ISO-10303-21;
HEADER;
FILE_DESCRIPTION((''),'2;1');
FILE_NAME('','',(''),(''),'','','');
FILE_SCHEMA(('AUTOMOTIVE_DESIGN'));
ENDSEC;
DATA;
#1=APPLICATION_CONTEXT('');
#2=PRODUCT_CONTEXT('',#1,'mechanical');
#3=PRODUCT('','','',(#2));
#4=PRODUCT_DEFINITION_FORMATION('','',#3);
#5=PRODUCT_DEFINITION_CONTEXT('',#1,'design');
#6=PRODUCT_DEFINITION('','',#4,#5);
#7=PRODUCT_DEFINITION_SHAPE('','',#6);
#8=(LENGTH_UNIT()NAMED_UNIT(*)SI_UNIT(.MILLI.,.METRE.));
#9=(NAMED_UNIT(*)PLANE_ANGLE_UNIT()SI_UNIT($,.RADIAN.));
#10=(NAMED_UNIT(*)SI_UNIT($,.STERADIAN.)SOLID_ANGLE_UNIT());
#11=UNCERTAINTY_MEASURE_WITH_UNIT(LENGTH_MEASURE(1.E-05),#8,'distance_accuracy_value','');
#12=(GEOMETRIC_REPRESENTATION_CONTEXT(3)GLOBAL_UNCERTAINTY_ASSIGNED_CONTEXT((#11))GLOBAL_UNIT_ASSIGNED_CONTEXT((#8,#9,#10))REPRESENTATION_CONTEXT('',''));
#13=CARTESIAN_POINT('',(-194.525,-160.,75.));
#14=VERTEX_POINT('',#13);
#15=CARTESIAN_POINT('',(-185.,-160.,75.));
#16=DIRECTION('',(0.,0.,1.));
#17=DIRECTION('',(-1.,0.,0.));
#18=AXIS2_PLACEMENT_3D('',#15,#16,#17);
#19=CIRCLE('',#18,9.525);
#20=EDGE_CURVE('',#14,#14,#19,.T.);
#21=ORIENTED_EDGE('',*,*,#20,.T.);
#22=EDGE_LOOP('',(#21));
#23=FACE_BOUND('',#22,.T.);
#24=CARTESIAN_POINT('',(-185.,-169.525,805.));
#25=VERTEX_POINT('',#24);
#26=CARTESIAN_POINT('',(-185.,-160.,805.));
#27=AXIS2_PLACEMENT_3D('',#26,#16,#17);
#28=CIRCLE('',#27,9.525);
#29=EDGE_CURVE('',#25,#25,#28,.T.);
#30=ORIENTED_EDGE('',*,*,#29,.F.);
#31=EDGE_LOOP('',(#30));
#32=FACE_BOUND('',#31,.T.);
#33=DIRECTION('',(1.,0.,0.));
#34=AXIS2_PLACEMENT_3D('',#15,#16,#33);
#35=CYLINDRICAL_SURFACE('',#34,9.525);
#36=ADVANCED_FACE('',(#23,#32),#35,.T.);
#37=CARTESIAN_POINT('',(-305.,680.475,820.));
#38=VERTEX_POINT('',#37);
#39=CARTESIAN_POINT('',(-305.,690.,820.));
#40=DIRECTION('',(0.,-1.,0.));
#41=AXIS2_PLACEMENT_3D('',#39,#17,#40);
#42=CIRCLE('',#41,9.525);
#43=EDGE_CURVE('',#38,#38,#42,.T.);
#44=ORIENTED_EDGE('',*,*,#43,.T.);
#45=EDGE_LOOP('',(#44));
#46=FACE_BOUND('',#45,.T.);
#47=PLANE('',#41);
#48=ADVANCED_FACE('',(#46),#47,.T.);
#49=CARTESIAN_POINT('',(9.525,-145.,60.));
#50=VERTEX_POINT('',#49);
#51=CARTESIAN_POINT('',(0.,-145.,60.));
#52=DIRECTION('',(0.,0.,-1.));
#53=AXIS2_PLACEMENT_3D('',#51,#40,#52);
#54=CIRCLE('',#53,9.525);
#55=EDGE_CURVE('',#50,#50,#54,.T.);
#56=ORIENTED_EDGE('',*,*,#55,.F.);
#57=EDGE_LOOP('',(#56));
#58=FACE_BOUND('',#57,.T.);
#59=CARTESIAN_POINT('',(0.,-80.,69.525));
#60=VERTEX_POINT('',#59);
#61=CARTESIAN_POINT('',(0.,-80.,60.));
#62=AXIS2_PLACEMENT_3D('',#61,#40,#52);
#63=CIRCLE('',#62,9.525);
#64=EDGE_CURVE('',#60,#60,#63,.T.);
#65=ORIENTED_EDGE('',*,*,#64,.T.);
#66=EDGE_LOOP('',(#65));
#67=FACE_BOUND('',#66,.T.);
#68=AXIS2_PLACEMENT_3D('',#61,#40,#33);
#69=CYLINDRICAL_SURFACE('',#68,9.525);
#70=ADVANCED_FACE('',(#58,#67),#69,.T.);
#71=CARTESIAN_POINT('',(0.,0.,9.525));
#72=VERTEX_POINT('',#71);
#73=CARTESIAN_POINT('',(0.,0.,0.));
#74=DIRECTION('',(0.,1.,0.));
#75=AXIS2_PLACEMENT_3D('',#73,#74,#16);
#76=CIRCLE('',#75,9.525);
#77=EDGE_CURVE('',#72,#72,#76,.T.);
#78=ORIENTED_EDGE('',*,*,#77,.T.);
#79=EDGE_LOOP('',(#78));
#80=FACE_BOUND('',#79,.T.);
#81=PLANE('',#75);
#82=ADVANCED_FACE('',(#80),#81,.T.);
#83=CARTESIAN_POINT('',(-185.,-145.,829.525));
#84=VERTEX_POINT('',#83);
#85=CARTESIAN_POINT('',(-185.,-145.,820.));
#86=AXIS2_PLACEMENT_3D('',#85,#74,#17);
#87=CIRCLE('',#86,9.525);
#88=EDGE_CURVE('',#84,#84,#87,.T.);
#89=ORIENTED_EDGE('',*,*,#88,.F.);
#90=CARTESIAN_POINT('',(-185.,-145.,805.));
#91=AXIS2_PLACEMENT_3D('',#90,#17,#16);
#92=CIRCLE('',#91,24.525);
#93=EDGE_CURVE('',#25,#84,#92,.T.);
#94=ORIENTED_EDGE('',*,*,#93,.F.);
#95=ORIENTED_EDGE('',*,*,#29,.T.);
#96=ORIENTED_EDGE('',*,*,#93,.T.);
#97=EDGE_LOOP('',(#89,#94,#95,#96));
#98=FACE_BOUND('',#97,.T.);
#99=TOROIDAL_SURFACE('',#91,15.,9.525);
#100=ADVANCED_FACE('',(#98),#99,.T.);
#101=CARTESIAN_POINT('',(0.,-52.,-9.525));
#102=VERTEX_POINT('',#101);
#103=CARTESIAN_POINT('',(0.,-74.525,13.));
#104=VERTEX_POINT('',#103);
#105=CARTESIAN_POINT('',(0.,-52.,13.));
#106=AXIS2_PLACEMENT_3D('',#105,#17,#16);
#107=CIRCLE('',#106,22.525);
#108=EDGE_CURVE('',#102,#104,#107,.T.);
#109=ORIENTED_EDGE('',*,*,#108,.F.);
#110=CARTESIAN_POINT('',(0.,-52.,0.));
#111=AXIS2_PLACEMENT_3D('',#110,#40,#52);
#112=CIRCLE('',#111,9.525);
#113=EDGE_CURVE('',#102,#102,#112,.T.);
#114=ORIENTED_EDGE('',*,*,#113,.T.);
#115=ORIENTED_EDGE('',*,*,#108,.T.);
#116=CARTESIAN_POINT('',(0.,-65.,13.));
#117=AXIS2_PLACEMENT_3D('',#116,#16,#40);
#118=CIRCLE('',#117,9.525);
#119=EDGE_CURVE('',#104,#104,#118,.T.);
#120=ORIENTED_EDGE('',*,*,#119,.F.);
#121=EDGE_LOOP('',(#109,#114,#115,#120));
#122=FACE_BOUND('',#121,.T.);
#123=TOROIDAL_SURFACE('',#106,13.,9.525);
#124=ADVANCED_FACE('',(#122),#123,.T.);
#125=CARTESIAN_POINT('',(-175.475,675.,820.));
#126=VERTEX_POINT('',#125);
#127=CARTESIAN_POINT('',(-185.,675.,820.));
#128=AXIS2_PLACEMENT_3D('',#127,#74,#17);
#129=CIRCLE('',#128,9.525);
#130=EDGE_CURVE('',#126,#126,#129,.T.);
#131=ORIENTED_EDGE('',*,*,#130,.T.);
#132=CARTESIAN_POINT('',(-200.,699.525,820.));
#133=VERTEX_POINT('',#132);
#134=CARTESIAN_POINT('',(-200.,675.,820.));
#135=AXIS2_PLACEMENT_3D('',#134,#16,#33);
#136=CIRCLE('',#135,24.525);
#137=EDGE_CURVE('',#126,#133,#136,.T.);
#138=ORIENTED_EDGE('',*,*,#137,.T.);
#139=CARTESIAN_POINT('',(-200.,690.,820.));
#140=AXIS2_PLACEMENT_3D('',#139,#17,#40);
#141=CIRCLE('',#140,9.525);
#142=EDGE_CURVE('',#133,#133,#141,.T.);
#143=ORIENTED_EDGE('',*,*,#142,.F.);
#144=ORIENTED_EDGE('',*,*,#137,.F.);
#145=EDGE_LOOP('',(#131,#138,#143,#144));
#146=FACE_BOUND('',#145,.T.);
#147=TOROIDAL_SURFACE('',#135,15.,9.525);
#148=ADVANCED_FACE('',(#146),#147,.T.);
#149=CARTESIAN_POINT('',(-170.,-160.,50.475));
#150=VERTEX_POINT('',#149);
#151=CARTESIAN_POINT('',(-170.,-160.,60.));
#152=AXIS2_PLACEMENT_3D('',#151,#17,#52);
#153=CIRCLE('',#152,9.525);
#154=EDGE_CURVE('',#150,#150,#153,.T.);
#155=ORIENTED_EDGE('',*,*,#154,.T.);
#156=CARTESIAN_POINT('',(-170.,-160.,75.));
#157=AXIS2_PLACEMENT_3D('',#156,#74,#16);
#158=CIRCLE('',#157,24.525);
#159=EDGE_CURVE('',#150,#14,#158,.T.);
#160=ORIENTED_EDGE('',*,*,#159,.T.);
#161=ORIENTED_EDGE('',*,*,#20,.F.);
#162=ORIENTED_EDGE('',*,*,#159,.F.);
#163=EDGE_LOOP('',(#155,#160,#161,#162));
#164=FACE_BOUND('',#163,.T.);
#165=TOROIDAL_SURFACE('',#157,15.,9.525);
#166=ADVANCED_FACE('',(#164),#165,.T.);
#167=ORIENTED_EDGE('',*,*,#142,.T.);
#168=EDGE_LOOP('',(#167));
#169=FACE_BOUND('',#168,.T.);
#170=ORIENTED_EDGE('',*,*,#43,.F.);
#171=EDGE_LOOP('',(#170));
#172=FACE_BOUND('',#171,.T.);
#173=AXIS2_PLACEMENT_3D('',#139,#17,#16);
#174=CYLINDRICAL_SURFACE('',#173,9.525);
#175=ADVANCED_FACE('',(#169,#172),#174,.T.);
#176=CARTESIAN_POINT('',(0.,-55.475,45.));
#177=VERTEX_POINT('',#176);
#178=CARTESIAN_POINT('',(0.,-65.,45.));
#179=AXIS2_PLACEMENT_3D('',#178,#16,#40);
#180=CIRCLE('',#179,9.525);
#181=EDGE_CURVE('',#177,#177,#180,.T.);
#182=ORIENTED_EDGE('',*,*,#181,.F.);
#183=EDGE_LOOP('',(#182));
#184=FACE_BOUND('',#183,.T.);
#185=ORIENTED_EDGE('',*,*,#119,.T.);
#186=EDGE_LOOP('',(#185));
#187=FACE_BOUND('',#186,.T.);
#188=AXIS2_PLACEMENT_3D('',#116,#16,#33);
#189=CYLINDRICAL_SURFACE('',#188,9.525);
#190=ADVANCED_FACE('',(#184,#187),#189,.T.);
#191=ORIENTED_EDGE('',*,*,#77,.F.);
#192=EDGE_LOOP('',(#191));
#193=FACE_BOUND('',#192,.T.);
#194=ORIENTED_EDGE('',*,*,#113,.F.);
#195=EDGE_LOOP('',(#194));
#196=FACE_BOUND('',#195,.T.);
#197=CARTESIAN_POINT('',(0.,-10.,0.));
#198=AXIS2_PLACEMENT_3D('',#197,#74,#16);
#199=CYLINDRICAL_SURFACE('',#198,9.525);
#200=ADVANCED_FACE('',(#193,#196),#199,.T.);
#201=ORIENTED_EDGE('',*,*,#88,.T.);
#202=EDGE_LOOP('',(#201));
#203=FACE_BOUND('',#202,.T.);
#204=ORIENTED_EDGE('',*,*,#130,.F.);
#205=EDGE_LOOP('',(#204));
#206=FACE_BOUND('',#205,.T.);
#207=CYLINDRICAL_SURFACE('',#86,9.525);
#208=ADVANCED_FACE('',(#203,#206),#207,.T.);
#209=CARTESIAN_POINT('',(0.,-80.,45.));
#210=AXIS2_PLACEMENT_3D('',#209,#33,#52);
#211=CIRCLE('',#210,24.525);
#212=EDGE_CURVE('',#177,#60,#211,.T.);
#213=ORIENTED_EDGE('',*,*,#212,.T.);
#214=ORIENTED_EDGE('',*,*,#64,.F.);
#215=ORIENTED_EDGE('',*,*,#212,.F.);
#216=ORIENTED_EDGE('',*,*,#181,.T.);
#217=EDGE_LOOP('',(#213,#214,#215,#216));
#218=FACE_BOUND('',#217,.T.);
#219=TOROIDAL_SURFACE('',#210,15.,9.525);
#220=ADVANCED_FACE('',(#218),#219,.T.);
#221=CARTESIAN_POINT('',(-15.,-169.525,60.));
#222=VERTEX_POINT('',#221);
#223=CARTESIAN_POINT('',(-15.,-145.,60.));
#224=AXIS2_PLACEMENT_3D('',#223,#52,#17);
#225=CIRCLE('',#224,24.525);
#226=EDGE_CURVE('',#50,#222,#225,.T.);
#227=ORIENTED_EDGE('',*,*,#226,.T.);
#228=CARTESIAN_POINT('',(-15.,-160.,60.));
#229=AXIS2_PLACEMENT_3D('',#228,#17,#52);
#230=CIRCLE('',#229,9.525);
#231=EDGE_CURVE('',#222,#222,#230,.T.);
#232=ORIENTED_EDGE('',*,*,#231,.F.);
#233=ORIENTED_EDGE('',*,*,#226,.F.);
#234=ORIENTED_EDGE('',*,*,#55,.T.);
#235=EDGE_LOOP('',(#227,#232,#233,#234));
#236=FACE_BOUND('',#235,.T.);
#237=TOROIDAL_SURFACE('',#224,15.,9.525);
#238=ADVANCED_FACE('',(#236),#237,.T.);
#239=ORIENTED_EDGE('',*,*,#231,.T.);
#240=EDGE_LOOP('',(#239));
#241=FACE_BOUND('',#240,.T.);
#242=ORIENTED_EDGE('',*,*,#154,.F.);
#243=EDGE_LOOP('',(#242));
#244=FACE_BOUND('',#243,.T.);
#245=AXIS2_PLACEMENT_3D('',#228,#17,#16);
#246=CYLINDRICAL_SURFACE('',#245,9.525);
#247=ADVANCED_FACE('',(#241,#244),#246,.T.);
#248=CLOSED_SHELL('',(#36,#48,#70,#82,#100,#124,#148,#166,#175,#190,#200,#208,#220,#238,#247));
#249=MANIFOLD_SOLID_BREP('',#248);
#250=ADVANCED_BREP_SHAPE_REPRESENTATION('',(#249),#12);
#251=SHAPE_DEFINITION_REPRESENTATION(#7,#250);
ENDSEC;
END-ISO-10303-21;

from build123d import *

# Parameters (mm, degrees)
CROQUIS1_R              = 9.525
SALIENTE_EXTRUIR1_DEPTH = 10
CROQUIS2_R              = 9.525


with BuildPart() as part:
    # Croquis1 → Saliente-Extruir1 (new body)
    with BuildSketch(Plane(origin=(0, 0, 0), x_dir=(1, 0, 0), z_dir=(0, 1, 0))):
        with Locations(Location((0, 0, 0), (0, 0, 270))):
            Circle(CROQUIS1_R)
    extrude(amount=-SALIENTE_EXTRUIR1_DEPTH)

    # Barrer1: sweep along a curve in space
    with BuildLine() as barrer1_path:
        Line((0, -10, 0), (0, -52, 0))
        ThreePointArc((0, -52, 0), (0, -61.192388155, 3.807611845), (0, -65, 13))
        Line((0, -65, 13), (0, -65, 45))
        ThreePointArc((0, -65, 45), (0, -69.393398282, 55.606601718), (0, -80, 60))
        Line((0, -80, 60), (0, -145, 60))
        ThreePointArc((0, -145, 60), (-4.393398282, -155.606601718, 60), (-15, -160, 60))
        Line((-15, -160, 60), (-170, -160, 60))
        ThreePointArc((-170, -160, 60), (-180.606601718, -160, 64.393398282), (-185, -160, 75))
        Line((-185, -160, 75), (-185, -160, 805))
        ThreePointArc((-185, -160, 805), (-185, -155.606601718, 815.606601718), (-185, -145, 820))
        Line((-185, -145, 820), (-185, 675, 820))
        ThreePointArc((-185, 675, 820), (-189.393398282, 685.606601718, 820), (-200, 690, 820))
        Line((-200, 690, 820), (-305, 690, 820))
    # Croquis2 → Barrer1 (sweep)
    with BuildSketch(Plane.XZ.offset(10)):
        Circle(CROQUIS2_R)
    sweep(path=barrer1_path.line)


solid = part.part
